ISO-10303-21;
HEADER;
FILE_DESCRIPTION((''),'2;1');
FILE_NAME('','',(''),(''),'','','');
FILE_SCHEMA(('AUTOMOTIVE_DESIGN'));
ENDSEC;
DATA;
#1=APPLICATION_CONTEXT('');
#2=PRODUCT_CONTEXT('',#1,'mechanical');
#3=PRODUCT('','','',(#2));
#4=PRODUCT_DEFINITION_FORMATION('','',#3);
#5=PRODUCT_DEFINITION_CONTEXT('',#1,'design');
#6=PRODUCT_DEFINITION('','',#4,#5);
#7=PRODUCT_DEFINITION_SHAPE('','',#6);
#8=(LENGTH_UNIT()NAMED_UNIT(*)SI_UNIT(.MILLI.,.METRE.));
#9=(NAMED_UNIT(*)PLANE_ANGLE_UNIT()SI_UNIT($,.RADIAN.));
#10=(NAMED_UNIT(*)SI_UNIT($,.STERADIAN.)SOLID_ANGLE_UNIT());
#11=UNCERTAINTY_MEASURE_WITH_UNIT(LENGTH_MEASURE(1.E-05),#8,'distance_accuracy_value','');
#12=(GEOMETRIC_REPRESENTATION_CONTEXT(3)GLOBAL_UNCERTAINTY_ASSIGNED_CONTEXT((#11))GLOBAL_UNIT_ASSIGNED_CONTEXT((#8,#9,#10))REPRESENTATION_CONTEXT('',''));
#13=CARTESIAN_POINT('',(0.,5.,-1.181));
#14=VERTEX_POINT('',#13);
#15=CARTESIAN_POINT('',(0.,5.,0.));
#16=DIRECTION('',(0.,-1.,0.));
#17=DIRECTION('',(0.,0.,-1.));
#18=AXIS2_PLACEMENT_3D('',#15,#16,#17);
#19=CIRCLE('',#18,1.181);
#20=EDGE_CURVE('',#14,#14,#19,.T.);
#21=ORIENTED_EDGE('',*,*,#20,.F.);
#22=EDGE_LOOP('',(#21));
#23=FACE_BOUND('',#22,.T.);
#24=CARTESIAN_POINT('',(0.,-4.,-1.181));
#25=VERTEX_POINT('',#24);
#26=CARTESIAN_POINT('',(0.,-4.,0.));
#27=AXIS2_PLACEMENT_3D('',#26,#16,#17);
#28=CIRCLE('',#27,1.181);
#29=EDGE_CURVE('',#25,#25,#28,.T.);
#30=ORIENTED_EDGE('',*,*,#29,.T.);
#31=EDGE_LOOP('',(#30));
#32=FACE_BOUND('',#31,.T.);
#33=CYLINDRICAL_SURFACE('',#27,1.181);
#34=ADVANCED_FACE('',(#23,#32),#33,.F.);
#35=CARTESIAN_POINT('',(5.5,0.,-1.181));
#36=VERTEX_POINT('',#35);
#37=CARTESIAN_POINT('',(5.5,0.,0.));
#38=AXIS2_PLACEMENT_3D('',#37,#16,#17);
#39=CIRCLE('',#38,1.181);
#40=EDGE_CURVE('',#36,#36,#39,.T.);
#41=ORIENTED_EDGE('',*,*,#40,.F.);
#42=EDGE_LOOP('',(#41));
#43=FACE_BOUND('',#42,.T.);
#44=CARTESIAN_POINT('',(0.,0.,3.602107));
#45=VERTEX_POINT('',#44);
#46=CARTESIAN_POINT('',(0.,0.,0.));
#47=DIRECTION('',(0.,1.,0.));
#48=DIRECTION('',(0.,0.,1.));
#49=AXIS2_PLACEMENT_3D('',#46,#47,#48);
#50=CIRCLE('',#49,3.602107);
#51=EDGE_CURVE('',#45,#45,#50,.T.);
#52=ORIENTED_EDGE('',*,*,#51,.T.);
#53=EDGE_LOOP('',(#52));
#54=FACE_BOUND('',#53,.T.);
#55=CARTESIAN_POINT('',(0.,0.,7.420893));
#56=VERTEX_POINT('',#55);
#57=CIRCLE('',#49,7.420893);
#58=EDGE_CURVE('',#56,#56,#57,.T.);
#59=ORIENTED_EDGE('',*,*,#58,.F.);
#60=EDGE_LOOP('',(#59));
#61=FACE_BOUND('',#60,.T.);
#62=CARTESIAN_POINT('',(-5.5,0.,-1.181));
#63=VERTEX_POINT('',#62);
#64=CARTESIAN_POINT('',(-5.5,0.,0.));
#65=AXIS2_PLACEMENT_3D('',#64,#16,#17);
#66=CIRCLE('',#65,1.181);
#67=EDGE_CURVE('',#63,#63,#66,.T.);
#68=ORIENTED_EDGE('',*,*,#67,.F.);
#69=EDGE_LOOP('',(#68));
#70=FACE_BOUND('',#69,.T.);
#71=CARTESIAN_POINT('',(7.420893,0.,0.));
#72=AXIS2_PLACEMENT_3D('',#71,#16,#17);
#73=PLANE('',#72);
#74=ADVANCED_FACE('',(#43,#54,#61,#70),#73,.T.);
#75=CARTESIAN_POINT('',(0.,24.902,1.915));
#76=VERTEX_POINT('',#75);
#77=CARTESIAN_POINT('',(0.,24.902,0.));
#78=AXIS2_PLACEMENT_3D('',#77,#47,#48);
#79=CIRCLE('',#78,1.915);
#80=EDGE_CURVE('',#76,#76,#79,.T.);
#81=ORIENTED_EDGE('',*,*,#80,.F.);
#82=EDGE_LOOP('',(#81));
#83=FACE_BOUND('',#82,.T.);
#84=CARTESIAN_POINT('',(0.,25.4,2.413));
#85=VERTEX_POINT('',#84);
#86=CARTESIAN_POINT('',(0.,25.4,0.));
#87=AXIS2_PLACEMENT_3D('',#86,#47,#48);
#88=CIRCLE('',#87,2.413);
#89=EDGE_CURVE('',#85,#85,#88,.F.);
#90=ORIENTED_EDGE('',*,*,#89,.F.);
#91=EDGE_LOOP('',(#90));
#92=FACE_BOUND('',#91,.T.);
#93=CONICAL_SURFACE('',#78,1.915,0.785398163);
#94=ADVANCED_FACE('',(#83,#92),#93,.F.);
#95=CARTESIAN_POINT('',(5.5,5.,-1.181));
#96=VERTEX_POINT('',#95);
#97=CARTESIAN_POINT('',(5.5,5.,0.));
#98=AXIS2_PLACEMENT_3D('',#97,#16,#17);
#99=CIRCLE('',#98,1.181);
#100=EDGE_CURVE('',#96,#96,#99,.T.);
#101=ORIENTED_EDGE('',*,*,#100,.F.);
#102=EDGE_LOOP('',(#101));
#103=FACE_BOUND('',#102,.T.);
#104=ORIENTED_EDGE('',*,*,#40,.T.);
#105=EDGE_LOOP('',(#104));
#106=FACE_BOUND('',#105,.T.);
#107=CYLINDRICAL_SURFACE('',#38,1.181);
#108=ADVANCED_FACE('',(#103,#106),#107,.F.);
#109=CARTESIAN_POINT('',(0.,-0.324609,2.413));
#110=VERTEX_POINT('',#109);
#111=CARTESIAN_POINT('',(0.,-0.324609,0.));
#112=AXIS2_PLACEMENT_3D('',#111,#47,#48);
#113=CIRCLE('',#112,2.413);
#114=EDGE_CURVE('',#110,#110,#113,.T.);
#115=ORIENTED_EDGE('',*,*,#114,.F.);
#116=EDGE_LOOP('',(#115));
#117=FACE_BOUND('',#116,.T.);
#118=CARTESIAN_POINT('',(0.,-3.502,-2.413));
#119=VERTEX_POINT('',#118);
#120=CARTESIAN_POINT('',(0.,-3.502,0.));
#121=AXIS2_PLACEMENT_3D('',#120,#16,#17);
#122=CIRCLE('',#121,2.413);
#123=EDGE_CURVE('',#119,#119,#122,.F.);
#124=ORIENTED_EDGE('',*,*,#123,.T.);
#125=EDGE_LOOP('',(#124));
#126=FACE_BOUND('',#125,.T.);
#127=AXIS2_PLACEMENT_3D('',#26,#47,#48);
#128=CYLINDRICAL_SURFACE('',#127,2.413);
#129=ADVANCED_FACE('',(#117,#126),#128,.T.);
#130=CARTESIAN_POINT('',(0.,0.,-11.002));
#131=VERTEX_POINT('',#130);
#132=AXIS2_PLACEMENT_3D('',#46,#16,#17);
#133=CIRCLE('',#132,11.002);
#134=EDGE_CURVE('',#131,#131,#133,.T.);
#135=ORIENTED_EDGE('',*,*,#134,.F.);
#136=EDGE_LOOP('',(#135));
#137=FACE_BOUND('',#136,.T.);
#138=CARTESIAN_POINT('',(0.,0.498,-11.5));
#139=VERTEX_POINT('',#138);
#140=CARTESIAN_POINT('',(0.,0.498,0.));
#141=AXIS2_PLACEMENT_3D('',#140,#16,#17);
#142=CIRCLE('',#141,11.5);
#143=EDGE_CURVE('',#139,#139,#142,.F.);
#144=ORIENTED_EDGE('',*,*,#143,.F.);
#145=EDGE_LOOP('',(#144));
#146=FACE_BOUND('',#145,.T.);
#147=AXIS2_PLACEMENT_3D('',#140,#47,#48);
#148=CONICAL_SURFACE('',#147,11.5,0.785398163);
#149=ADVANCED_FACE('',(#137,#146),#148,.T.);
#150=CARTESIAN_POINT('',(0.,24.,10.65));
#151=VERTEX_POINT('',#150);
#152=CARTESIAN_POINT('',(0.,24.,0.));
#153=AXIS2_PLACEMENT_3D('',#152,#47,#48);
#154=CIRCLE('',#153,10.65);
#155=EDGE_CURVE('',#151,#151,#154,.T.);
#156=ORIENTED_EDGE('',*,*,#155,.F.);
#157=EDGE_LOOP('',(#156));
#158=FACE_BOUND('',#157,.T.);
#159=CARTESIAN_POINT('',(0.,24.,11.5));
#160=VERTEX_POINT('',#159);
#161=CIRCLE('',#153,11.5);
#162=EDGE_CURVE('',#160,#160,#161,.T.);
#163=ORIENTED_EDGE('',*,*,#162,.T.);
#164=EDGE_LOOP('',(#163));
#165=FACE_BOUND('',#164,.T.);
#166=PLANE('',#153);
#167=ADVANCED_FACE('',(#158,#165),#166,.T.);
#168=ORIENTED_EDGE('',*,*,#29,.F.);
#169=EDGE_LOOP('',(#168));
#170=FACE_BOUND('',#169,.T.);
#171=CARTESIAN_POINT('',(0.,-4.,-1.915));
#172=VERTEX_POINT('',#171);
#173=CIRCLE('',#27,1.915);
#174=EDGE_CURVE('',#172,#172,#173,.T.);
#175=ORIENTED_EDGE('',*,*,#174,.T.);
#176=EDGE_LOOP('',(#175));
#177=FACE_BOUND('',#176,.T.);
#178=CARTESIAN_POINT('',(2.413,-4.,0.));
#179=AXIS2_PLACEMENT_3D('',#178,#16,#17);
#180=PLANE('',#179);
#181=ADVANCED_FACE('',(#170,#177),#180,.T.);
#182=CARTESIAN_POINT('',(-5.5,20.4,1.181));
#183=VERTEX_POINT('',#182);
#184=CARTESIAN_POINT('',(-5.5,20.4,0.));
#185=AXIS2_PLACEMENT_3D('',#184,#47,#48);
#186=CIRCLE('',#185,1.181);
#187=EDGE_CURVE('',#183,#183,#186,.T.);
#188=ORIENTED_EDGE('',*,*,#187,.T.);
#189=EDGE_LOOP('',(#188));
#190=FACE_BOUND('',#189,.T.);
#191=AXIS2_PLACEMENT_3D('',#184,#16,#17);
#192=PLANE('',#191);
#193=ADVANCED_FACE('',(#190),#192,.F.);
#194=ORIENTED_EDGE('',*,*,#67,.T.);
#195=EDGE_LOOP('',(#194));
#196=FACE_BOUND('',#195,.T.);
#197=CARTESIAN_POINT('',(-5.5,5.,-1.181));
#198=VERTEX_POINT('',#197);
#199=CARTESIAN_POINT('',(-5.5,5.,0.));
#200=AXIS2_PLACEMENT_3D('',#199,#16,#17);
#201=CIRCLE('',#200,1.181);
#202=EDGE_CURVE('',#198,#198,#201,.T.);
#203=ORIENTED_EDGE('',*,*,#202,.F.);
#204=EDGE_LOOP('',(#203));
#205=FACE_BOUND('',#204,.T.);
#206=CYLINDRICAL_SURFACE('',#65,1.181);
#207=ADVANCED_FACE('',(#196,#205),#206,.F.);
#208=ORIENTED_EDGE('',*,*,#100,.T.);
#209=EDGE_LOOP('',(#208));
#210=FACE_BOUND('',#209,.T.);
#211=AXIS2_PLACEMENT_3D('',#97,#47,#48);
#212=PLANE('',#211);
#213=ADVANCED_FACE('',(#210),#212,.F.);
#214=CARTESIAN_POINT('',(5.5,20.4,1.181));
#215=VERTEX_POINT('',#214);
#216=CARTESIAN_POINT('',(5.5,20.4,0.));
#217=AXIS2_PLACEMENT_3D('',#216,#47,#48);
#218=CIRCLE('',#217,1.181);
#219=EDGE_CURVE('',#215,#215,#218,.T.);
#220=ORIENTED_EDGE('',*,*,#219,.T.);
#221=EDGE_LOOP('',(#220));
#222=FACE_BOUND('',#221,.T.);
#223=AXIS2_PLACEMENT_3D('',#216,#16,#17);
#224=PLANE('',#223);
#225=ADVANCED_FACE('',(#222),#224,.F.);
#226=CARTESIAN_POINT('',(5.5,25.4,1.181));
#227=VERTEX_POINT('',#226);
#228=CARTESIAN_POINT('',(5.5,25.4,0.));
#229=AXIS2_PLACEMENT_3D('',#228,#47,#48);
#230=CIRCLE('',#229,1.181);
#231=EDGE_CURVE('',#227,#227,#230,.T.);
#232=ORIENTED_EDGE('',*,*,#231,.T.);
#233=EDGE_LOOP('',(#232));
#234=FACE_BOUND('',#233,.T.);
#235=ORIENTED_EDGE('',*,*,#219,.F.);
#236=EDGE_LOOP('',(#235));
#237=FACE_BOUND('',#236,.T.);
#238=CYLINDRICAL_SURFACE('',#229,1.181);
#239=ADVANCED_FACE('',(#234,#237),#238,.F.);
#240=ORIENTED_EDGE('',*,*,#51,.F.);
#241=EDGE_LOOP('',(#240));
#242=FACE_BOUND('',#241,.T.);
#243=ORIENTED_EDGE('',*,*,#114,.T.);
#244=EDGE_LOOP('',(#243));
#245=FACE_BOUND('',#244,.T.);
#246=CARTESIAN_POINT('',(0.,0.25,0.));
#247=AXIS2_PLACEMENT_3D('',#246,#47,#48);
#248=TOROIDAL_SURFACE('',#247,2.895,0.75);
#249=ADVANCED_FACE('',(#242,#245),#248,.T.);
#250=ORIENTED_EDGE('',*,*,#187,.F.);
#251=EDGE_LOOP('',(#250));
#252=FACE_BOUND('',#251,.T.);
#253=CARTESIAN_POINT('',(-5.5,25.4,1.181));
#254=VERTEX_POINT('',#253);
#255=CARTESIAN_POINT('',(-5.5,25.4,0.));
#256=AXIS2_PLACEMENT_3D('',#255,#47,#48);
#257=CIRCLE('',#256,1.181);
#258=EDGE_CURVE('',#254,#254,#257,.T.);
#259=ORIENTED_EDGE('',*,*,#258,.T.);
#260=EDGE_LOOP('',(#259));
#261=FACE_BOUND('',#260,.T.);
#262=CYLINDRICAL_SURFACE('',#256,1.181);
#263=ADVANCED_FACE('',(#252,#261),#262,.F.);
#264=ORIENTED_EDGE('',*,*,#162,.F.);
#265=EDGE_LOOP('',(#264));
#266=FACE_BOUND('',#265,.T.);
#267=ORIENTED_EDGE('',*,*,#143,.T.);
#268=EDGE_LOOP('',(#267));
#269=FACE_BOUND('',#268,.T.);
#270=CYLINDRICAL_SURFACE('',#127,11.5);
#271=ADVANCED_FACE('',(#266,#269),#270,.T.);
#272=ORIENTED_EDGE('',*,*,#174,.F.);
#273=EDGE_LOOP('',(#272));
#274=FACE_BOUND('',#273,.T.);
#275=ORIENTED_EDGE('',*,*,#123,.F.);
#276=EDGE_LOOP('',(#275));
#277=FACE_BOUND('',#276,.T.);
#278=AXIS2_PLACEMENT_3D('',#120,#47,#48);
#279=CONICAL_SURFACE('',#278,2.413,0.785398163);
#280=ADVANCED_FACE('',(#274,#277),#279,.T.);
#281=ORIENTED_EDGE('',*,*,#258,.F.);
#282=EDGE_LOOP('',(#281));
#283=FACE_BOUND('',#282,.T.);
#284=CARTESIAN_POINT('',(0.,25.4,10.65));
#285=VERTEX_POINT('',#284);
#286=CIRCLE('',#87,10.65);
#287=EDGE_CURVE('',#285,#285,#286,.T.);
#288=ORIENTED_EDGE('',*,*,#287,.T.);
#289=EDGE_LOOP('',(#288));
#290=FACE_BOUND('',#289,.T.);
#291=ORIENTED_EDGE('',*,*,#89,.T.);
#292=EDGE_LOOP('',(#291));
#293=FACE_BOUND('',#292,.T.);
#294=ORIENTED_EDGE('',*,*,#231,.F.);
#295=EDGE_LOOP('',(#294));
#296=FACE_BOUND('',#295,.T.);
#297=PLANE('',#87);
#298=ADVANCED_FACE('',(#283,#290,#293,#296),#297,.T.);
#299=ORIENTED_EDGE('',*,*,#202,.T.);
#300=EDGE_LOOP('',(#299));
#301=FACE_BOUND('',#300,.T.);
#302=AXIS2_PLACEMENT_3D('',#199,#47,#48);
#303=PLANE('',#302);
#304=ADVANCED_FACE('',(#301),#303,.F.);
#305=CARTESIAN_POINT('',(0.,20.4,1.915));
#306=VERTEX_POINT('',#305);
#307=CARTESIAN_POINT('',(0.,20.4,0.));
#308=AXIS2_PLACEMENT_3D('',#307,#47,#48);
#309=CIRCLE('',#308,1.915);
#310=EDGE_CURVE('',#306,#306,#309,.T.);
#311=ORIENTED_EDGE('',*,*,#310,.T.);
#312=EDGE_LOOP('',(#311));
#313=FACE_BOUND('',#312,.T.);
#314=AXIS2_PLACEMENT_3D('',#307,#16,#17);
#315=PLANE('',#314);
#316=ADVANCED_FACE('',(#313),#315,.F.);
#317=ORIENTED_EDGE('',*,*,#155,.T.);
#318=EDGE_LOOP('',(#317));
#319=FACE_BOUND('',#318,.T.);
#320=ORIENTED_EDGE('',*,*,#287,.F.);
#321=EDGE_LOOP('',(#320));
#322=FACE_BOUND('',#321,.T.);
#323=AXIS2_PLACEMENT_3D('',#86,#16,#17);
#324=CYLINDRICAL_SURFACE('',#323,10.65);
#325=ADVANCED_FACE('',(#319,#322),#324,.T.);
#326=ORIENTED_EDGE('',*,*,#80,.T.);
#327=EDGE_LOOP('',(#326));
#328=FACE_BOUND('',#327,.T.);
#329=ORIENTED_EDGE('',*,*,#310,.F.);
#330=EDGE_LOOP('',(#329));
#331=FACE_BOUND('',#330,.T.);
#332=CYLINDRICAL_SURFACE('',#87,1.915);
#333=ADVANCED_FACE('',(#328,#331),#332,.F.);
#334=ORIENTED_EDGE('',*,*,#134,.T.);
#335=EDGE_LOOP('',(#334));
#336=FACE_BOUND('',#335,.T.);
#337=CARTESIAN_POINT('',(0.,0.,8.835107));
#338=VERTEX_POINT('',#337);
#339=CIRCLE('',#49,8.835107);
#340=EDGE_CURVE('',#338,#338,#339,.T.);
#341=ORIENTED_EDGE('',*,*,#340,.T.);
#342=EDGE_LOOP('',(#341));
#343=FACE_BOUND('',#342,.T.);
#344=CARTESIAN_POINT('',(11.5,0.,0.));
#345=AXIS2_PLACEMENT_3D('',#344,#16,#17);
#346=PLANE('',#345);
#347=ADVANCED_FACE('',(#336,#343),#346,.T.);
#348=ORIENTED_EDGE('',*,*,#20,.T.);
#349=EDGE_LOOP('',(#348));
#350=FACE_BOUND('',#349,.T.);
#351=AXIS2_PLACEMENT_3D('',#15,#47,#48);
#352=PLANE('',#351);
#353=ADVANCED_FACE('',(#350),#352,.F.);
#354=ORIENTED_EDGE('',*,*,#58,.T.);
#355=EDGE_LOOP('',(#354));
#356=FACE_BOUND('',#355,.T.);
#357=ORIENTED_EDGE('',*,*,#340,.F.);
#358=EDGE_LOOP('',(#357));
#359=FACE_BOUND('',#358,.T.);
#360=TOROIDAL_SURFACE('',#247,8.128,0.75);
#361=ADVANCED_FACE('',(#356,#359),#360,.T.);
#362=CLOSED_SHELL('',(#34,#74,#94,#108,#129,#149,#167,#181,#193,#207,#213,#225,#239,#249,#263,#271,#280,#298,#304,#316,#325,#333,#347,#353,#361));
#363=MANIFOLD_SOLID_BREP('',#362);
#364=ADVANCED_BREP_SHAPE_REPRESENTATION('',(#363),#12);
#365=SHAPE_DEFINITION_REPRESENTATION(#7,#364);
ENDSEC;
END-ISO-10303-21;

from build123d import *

# Parameters (mm, degrees)
SKETCH2_R                  = 10.65
BOSS_EXTRUDE1_DEPTH        = 1.4
M2_CLEARANCE_HOLE1_D       = 2.362
M2_CLEARANCE_HOLE1_DEPTH   = 5
M2_CLEARANCE_HOLE2_D       = 2.362
M2_CLEARANCE_HOLE2_DEPTH   = 9
M3_5_CLEARANCE_HOLE1_D     = 3.83
M3_5_CLEARANCE_HOLE1_DEPTH = 5
M2_CLEARANCE_HOLE3_D       = 2.362
M2_CLEARANCE_HOLE3_DEPTH   = 5
CHAMFER1_SIZE              = 0.498


with BuildPart() as part:
    # Sketch1 → Revolve1 (revolve)
    with BuildSketch(Plane(origin=(0, 0, 0), x_dir=(-1, 0, 0), z_dir=(0, 0, -1))):
        with BuildLine():
            Line((-2.413, -4), (0, -4))
            Line((0, -4), (0, 24))
            Line((0, 24), (-11.5, 24))
            Line((-11.5, 24), (-11.5, 0))
            Line((-11.5, 0), (-8.835106781, 0))
            ThreePointArc((-8.835106781, 0), (-8.128, -0.5), (-7.420893219, 0))
            Line((-7.420893219, 0), (-3.602106781, 0))
            ThreePointArc((-3.602106781, 0), (-3.092512244, -0.473525337), (-2.413, -0.324609433))
            Line((-2.413, -0.324609433), (-2.413, -4))
        make_face()
    revolve(axis=Axis((0, -4, 0), (0, 1, 0)))

    # Sketch2 → Boss-Extrude1 (add)
    with BuildSketch(Plane(origin=(0, 24, 0), x_dir=(-1, 0, 0), z_dir=(0, 1, 0))):
        Circle(SKETCH2_R)
    extrude(amount=BOSS_EXTRUDE1_DEPTH)

    # M2 Clearance Hole1
    with Locations(Plane(origin=(0, 0, 0), x_dir=(-1, 0, 0), z_dir=(0, -1, 0))):
        with Locations((-5.5, 0), (5.5, 0)):
            Hole(M2_CLEARANCE_HOLE1_D / 2, depth=M2_CLEARANCE_HOLE1_DEPTH)

    # M2 Clearance Hole2
    with Locations(Plane(origin=(0, -4, 0), x_dir=(-1, 0, 0), z_dir=(0, -1, 0))):
        with Locations((0, 0)):
            Hole(M2_CLEARANCE_HOLE2_D / 2, depth=M2_CLEARANCE_HOLE2_DEPTH)

    # M3.5 Clearance Hole1
    with Locations(Plane(origin=(0, 25.4, 0), x_dir=(1, 0, 0), z_dir=(0, 1, 0))):
        with Locations((0, 0)):
            Hole(M3_5_CLEARANCE_HOLE1_D / 2, depth=M3_5_CLEARANCE_HOLE1_DEPTH)

    # M2 Clearance Hole3
    with Locations(Plane(origin=(0, 25.4, 0), x_dir=(1, 0, 0), z_dir=(0, 1, 0))):
        with Locations((5.5, 0), (-5.5, 0)):
            Hole(M2_CLEARANCE_HOLE3_D / 2, depth=M2_CLEARANCE_HOLE3_DEPTH)

    # Chamfer1
    chamfer1_edges = [part.edges().sort_by_distance(p)[0] for p in [
        (-2.413, -4, 0),
        (1.915, 25.4, 0),
        (-11.5, 0, 0),
    ]]
    chamfer(chamfer1_edges, length=CHAMFER1_SIZE)


solid = part.part
